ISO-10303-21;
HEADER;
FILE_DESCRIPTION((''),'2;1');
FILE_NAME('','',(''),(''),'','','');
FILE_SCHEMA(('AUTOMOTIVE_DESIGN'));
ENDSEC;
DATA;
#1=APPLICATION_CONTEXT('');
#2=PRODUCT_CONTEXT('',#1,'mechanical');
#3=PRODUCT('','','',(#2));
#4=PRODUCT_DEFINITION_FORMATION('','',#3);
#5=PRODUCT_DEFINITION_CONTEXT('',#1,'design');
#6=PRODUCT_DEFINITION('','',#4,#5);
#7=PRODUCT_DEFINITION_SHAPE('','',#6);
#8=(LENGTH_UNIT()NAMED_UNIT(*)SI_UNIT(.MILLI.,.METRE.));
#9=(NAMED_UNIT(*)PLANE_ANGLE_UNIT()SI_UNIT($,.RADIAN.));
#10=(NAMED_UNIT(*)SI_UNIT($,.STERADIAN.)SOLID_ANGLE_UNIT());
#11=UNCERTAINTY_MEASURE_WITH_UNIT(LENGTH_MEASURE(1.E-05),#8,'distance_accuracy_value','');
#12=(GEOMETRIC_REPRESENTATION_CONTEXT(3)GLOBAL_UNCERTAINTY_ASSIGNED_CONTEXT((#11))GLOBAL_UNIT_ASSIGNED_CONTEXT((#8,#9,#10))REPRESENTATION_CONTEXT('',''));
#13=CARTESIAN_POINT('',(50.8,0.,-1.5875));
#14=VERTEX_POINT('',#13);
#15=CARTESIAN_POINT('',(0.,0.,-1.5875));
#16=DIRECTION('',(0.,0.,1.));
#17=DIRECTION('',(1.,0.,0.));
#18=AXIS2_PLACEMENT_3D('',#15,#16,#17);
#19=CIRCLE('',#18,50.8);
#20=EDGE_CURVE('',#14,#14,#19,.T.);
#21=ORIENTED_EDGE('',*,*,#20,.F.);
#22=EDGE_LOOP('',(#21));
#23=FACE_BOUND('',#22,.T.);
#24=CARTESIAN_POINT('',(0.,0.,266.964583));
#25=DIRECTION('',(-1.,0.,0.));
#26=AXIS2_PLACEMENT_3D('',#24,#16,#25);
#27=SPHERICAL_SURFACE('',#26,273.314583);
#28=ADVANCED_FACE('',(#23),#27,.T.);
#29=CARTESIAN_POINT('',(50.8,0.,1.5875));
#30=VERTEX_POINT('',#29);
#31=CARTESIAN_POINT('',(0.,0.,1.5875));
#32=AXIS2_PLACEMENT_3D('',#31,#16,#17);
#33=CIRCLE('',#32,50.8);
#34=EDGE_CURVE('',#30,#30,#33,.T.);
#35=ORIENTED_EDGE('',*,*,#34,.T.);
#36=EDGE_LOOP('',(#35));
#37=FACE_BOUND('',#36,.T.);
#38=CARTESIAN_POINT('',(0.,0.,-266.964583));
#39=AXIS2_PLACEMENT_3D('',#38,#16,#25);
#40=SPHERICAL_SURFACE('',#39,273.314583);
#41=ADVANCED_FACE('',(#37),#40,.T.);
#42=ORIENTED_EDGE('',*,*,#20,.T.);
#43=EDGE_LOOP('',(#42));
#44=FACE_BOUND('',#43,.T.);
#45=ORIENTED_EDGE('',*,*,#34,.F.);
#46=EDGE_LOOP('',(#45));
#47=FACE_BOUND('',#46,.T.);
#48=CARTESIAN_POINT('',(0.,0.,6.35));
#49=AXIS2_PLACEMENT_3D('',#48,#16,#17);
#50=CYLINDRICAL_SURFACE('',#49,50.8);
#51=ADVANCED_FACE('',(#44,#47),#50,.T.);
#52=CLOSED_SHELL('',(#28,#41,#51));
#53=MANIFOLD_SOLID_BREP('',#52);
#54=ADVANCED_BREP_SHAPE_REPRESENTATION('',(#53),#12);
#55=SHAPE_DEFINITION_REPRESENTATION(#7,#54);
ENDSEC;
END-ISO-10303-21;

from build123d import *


with BuildPart() as part:
    # Sketch2 → Revolve1 (revolve)
    with BuildSketch(Plane(origin=(0, 0, 0), x_dir=(1, 0, 0), z_dir=(0, 1, 0)), mode=Mode.PRIVATE) as revolve1_sk:
        with BuildLine():
            Line((50.8, 0), (0, 0))
            Line((0, 0), (0, -6.35))
            ThreePointArc((0, -6.35), (25.511376904, -5.156770314), (50.8, -1.5875))
            Line((50.8, -1.5875), (50.8, 0))
        make_face()
        with BuildLine():
            Line((0, 6.35), (0, 0))
            Line((0, 0), (50.8, 0))
            Line((50.8, 0), (50.8, 1.5875))
            ThreePointArc((50.8, 1.5875), (25.511376904, 5.156770314), (0, 6.35))
        make_face()
    revolve(revolve1_sk.sketch.rotate(Axis((0, 0, 6.35), (0, 0, -1)), 180), axis=Axis((0, 0, 6.35), (0, 0, -1)))


solid = part.part
